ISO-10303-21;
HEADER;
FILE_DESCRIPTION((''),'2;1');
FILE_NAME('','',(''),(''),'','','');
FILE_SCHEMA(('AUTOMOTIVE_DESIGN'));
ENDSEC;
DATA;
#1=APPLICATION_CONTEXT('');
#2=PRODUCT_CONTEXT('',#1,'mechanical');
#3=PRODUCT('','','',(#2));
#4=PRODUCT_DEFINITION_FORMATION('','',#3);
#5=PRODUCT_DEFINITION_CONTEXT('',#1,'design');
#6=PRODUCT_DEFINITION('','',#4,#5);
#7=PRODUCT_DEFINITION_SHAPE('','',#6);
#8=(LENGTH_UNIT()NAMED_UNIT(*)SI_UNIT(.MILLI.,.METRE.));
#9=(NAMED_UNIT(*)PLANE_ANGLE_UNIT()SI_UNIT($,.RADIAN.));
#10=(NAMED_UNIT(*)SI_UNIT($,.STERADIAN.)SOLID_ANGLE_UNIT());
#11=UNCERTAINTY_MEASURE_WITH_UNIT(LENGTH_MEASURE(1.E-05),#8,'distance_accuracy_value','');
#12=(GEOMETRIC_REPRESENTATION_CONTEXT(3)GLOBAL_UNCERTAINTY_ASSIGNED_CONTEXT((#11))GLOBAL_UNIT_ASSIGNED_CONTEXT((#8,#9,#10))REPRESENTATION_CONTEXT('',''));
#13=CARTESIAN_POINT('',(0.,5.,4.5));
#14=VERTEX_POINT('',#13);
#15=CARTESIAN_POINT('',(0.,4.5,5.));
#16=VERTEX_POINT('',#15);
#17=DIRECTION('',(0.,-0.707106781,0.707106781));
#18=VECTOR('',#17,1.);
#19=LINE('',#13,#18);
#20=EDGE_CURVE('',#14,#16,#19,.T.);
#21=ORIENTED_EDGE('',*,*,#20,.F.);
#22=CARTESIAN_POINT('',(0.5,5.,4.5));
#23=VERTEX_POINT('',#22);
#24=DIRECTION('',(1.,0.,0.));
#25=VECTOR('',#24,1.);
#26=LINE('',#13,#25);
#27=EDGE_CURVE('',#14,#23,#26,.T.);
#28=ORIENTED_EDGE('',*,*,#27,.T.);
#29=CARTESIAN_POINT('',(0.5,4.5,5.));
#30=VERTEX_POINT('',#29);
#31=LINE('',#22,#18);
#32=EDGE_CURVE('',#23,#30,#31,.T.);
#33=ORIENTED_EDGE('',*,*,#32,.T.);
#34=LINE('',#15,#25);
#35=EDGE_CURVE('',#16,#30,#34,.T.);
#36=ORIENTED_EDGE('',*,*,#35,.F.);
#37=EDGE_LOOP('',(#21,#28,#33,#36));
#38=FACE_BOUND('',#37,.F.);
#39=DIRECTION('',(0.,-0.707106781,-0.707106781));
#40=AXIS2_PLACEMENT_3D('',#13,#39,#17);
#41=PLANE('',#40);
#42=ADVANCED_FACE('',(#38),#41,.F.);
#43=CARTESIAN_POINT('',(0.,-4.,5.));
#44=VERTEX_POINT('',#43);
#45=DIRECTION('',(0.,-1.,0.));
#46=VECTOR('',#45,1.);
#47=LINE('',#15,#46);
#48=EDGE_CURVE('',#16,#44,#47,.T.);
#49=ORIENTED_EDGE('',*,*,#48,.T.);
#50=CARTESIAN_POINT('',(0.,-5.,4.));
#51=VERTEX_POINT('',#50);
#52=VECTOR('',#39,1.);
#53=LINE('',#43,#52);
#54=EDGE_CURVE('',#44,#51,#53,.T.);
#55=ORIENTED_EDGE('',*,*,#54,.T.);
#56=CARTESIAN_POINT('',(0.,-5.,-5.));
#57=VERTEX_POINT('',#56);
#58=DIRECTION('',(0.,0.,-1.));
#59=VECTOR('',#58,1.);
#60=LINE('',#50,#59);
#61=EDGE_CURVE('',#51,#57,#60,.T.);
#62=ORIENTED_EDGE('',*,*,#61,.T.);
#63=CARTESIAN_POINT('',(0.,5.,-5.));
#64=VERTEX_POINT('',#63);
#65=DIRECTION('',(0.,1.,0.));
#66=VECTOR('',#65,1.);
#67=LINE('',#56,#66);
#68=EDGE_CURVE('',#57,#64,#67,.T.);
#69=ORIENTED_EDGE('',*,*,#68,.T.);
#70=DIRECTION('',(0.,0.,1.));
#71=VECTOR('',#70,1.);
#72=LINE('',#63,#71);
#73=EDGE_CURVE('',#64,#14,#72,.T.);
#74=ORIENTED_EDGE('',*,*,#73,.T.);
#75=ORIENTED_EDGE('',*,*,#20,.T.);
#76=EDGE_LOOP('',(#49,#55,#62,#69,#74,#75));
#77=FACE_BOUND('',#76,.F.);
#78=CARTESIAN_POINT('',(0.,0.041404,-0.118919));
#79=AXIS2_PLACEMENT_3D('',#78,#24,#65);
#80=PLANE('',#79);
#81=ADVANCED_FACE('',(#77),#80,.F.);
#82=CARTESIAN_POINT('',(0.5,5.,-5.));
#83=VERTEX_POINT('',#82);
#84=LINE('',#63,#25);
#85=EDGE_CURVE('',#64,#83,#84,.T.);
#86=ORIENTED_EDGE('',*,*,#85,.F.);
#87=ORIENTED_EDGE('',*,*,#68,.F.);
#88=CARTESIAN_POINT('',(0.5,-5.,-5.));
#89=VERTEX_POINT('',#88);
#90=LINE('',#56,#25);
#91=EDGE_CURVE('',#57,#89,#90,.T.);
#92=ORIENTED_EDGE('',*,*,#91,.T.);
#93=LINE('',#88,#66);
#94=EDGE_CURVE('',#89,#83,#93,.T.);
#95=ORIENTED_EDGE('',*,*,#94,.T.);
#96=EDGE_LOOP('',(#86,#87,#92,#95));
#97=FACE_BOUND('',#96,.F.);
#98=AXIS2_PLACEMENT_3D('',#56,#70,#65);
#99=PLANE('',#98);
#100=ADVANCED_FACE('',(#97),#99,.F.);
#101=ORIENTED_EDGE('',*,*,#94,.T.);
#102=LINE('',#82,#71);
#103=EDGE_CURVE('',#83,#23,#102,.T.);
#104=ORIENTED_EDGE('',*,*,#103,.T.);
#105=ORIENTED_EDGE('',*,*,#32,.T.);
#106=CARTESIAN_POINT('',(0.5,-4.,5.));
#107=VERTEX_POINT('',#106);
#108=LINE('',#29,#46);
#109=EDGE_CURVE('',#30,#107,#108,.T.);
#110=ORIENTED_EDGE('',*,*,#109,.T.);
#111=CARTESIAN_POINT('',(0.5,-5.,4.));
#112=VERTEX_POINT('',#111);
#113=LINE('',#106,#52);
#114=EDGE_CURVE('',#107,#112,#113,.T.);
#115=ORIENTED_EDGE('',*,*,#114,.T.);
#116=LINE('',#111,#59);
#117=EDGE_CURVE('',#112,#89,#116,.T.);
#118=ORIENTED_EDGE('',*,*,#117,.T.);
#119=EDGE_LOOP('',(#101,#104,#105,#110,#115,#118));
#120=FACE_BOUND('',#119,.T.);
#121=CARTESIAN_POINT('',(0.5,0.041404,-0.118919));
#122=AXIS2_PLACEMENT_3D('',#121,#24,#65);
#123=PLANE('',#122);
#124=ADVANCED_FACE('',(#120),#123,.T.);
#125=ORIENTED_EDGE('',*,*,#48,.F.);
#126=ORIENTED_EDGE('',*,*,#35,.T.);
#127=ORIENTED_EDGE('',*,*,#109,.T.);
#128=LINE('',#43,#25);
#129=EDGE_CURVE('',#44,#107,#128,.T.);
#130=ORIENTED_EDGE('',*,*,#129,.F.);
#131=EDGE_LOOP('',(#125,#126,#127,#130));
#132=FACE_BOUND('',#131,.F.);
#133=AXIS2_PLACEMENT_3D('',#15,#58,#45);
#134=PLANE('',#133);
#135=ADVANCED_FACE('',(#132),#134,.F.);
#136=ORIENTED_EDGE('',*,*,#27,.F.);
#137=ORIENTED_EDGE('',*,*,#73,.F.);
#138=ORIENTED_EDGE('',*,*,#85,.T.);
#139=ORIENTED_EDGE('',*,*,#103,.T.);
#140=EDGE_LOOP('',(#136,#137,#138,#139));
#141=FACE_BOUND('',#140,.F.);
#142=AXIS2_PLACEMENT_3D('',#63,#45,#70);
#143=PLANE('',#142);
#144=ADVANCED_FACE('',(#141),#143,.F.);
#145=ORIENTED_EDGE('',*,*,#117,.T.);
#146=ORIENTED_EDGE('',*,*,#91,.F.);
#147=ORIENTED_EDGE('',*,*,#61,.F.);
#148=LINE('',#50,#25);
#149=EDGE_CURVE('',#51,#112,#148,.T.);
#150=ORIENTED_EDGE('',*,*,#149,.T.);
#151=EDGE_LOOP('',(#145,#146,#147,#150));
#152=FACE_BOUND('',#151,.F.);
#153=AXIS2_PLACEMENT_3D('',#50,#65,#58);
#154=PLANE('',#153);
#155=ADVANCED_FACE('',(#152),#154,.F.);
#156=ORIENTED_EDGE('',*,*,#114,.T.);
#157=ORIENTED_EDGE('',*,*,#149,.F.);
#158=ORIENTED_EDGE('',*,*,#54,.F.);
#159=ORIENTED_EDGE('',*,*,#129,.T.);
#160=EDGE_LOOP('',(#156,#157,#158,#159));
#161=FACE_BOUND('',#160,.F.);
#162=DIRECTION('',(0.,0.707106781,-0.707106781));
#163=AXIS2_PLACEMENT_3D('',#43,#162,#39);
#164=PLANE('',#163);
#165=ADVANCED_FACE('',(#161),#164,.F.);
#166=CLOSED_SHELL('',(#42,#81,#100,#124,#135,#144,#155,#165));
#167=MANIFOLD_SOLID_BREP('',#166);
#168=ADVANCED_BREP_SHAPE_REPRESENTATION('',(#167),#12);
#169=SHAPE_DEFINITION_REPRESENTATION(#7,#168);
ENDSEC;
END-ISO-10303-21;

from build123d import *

# Parameters (mm, degrees)
PAD_DEPTH = 0.5


with BuildPart() as part:
    # Sketch (on YZ_Plane of Origin) → Pad (new body)
    with BuildSketch(Plane.YZ):
        Polygon((-5, -5), (5, -5), (5, 4.5), (4.5, 5), (-4, 5), (-5, 4), align=None)
    extrude(amount=PAD_DEPTH)


solid = part.part
